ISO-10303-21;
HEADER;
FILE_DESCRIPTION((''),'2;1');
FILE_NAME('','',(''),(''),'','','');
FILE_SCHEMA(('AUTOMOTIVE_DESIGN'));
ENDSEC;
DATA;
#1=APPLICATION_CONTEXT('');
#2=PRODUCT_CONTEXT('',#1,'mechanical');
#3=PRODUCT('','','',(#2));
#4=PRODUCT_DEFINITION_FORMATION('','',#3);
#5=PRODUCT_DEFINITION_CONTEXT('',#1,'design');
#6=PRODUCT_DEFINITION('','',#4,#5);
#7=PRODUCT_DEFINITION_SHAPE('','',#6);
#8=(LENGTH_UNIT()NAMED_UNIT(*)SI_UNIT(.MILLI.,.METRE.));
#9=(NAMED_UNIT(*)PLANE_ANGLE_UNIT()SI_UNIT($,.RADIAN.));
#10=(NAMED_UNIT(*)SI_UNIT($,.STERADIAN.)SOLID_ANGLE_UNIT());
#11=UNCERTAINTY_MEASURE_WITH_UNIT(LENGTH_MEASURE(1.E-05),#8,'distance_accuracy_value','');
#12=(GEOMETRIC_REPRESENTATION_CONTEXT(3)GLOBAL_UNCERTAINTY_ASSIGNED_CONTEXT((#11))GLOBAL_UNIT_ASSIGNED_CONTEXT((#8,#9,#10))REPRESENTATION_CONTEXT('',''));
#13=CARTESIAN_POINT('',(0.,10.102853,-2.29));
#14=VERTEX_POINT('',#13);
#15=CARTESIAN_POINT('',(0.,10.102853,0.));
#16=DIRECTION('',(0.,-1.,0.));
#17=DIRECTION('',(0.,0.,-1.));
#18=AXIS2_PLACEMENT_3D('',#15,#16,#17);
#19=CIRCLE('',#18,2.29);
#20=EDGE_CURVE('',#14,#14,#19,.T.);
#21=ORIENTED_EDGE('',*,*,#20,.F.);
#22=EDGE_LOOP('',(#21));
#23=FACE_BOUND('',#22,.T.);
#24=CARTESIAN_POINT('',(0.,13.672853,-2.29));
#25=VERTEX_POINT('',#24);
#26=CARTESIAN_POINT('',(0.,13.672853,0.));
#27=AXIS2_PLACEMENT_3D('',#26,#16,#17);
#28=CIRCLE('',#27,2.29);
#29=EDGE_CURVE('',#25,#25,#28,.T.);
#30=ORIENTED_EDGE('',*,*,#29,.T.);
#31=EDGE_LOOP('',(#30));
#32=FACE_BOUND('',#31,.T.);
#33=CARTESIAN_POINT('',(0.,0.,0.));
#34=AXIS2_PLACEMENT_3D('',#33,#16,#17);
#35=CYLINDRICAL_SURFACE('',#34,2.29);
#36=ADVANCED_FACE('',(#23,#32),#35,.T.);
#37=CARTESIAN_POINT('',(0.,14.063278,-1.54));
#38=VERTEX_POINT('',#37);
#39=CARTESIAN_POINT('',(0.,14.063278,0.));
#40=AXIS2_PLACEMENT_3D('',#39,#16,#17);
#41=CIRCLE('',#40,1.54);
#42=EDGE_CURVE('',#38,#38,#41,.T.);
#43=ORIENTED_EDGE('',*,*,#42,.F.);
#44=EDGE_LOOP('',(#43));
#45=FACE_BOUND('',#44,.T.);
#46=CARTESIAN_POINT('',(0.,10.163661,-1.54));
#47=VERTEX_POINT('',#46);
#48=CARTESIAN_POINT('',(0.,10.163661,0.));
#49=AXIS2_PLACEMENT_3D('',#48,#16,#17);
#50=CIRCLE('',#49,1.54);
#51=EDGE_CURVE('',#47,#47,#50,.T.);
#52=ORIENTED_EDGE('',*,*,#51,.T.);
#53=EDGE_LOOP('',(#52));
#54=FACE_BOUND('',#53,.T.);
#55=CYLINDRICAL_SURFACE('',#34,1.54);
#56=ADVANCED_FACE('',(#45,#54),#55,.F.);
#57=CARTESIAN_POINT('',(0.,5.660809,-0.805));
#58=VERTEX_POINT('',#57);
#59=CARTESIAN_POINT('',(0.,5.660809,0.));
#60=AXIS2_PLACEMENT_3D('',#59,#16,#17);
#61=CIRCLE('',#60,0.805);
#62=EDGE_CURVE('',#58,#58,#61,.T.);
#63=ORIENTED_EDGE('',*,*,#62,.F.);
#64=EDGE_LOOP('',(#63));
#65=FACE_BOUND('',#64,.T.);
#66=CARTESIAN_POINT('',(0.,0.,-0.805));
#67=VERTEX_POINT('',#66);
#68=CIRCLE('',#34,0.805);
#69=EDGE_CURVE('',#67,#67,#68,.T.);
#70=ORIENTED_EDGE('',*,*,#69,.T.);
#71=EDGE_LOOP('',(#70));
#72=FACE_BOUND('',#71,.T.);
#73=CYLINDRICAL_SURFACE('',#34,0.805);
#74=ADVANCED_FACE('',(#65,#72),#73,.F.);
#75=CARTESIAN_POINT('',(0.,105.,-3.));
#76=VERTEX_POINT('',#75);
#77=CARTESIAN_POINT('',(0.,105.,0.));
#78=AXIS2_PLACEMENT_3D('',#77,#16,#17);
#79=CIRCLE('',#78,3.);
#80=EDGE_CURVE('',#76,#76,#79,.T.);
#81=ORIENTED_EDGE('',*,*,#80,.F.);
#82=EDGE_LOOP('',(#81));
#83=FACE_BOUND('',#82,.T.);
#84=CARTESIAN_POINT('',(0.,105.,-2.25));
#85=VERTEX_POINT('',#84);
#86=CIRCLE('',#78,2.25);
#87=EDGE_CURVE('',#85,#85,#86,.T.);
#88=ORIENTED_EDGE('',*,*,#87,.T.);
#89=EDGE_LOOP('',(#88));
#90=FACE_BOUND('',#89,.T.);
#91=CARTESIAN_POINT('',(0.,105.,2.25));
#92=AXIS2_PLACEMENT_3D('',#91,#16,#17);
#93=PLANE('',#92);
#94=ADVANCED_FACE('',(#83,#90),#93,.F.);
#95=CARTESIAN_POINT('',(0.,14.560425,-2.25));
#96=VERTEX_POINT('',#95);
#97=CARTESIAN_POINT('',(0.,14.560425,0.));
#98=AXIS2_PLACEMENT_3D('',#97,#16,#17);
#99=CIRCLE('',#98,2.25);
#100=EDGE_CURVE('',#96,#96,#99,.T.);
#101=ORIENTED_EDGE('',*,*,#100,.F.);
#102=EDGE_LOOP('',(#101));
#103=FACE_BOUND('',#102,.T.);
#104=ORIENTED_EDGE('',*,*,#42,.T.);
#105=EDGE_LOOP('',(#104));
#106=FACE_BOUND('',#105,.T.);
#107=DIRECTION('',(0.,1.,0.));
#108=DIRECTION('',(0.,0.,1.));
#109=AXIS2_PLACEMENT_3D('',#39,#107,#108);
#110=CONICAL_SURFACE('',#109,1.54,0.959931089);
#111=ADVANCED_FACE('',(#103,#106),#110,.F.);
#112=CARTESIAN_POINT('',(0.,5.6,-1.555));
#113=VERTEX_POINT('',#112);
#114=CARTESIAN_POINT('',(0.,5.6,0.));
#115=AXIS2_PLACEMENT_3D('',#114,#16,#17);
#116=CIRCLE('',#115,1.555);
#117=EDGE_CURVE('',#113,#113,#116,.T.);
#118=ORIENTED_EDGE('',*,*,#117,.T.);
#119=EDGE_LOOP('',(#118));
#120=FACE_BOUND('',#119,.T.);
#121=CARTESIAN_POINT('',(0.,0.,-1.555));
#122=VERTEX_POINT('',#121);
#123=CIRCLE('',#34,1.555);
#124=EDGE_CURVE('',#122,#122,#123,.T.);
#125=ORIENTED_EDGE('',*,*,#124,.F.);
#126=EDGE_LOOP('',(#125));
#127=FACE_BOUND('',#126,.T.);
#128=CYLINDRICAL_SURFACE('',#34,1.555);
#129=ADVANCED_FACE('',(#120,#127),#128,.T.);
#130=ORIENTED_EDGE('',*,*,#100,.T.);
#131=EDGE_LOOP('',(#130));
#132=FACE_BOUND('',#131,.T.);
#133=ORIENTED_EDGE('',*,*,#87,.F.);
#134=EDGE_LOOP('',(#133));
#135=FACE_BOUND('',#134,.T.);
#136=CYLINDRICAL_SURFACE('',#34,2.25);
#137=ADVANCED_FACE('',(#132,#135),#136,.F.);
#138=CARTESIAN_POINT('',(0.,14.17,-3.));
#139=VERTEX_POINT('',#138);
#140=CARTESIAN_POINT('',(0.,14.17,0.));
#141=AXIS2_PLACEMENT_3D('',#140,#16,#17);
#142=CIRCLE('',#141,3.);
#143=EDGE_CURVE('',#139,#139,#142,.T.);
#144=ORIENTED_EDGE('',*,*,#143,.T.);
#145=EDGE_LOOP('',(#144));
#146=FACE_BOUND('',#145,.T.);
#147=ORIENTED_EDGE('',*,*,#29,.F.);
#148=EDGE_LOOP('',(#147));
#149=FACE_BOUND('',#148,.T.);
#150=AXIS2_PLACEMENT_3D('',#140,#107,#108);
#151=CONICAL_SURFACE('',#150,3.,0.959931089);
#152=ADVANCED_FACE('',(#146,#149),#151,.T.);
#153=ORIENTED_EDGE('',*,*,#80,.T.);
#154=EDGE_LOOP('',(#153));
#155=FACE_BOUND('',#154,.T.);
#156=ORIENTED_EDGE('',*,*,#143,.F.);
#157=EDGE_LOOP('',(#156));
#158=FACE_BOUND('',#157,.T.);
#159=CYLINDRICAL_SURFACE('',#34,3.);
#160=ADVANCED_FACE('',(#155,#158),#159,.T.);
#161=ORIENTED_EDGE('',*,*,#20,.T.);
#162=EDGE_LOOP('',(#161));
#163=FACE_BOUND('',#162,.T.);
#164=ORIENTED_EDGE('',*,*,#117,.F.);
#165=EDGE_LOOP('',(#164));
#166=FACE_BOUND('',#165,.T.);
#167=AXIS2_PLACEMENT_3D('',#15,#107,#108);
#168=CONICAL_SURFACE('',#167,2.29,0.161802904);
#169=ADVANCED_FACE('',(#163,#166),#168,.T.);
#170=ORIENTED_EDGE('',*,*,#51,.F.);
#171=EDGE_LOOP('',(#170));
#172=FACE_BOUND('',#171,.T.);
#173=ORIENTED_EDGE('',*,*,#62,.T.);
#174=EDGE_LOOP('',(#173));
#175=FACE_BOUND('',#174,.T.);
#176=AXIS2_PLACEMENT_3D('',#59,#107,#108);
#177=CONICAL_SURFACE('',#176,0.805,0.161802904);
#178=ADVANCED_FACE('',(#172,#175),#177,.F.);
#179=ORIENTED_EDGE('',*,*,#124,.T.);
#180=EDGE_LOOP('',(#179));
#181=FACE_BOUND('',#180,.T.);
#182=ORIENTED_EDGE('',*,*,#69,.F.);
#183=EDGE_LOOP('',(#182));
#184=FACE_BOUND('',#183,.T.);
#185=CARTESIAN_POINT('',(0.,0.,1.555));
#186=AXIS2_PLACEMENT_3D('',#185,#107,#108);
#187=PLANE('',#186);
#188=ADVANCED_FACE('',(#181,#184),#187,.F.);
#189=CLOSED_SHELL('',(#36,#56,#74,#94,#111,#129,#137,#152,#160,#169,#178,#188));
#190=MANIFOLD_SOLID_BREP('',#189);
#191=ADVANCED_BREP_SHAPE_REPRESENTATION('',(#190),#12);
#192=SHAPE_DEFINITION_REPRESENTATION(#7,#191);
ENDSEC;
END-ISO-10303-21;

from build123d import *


with BuildPart() as part:
    # Sketch1 → Revolve1 (revolve)
    with BuildSketch(Plane(origin=(0, 0, 0), x_dir=(0, 0, -1), z_dir=(1, 0, 0))):
        Polygon((-1.555, 0), (-1.555, 5.6), (-2.29, 10.102852648), (-2.29, 13.672852648), (-3, 14.17), (-3, 105), (-2.25, 105), (-2.25, 14.560425288), (-1.54, 14.063277936), (-1.54, 10.16366146), (-0.805, 5.660808812), (-0.805, 0), align=None)
    revolve(axis=Axis((0, 0, 0), (0, 1, 0)))


solid = part.part
